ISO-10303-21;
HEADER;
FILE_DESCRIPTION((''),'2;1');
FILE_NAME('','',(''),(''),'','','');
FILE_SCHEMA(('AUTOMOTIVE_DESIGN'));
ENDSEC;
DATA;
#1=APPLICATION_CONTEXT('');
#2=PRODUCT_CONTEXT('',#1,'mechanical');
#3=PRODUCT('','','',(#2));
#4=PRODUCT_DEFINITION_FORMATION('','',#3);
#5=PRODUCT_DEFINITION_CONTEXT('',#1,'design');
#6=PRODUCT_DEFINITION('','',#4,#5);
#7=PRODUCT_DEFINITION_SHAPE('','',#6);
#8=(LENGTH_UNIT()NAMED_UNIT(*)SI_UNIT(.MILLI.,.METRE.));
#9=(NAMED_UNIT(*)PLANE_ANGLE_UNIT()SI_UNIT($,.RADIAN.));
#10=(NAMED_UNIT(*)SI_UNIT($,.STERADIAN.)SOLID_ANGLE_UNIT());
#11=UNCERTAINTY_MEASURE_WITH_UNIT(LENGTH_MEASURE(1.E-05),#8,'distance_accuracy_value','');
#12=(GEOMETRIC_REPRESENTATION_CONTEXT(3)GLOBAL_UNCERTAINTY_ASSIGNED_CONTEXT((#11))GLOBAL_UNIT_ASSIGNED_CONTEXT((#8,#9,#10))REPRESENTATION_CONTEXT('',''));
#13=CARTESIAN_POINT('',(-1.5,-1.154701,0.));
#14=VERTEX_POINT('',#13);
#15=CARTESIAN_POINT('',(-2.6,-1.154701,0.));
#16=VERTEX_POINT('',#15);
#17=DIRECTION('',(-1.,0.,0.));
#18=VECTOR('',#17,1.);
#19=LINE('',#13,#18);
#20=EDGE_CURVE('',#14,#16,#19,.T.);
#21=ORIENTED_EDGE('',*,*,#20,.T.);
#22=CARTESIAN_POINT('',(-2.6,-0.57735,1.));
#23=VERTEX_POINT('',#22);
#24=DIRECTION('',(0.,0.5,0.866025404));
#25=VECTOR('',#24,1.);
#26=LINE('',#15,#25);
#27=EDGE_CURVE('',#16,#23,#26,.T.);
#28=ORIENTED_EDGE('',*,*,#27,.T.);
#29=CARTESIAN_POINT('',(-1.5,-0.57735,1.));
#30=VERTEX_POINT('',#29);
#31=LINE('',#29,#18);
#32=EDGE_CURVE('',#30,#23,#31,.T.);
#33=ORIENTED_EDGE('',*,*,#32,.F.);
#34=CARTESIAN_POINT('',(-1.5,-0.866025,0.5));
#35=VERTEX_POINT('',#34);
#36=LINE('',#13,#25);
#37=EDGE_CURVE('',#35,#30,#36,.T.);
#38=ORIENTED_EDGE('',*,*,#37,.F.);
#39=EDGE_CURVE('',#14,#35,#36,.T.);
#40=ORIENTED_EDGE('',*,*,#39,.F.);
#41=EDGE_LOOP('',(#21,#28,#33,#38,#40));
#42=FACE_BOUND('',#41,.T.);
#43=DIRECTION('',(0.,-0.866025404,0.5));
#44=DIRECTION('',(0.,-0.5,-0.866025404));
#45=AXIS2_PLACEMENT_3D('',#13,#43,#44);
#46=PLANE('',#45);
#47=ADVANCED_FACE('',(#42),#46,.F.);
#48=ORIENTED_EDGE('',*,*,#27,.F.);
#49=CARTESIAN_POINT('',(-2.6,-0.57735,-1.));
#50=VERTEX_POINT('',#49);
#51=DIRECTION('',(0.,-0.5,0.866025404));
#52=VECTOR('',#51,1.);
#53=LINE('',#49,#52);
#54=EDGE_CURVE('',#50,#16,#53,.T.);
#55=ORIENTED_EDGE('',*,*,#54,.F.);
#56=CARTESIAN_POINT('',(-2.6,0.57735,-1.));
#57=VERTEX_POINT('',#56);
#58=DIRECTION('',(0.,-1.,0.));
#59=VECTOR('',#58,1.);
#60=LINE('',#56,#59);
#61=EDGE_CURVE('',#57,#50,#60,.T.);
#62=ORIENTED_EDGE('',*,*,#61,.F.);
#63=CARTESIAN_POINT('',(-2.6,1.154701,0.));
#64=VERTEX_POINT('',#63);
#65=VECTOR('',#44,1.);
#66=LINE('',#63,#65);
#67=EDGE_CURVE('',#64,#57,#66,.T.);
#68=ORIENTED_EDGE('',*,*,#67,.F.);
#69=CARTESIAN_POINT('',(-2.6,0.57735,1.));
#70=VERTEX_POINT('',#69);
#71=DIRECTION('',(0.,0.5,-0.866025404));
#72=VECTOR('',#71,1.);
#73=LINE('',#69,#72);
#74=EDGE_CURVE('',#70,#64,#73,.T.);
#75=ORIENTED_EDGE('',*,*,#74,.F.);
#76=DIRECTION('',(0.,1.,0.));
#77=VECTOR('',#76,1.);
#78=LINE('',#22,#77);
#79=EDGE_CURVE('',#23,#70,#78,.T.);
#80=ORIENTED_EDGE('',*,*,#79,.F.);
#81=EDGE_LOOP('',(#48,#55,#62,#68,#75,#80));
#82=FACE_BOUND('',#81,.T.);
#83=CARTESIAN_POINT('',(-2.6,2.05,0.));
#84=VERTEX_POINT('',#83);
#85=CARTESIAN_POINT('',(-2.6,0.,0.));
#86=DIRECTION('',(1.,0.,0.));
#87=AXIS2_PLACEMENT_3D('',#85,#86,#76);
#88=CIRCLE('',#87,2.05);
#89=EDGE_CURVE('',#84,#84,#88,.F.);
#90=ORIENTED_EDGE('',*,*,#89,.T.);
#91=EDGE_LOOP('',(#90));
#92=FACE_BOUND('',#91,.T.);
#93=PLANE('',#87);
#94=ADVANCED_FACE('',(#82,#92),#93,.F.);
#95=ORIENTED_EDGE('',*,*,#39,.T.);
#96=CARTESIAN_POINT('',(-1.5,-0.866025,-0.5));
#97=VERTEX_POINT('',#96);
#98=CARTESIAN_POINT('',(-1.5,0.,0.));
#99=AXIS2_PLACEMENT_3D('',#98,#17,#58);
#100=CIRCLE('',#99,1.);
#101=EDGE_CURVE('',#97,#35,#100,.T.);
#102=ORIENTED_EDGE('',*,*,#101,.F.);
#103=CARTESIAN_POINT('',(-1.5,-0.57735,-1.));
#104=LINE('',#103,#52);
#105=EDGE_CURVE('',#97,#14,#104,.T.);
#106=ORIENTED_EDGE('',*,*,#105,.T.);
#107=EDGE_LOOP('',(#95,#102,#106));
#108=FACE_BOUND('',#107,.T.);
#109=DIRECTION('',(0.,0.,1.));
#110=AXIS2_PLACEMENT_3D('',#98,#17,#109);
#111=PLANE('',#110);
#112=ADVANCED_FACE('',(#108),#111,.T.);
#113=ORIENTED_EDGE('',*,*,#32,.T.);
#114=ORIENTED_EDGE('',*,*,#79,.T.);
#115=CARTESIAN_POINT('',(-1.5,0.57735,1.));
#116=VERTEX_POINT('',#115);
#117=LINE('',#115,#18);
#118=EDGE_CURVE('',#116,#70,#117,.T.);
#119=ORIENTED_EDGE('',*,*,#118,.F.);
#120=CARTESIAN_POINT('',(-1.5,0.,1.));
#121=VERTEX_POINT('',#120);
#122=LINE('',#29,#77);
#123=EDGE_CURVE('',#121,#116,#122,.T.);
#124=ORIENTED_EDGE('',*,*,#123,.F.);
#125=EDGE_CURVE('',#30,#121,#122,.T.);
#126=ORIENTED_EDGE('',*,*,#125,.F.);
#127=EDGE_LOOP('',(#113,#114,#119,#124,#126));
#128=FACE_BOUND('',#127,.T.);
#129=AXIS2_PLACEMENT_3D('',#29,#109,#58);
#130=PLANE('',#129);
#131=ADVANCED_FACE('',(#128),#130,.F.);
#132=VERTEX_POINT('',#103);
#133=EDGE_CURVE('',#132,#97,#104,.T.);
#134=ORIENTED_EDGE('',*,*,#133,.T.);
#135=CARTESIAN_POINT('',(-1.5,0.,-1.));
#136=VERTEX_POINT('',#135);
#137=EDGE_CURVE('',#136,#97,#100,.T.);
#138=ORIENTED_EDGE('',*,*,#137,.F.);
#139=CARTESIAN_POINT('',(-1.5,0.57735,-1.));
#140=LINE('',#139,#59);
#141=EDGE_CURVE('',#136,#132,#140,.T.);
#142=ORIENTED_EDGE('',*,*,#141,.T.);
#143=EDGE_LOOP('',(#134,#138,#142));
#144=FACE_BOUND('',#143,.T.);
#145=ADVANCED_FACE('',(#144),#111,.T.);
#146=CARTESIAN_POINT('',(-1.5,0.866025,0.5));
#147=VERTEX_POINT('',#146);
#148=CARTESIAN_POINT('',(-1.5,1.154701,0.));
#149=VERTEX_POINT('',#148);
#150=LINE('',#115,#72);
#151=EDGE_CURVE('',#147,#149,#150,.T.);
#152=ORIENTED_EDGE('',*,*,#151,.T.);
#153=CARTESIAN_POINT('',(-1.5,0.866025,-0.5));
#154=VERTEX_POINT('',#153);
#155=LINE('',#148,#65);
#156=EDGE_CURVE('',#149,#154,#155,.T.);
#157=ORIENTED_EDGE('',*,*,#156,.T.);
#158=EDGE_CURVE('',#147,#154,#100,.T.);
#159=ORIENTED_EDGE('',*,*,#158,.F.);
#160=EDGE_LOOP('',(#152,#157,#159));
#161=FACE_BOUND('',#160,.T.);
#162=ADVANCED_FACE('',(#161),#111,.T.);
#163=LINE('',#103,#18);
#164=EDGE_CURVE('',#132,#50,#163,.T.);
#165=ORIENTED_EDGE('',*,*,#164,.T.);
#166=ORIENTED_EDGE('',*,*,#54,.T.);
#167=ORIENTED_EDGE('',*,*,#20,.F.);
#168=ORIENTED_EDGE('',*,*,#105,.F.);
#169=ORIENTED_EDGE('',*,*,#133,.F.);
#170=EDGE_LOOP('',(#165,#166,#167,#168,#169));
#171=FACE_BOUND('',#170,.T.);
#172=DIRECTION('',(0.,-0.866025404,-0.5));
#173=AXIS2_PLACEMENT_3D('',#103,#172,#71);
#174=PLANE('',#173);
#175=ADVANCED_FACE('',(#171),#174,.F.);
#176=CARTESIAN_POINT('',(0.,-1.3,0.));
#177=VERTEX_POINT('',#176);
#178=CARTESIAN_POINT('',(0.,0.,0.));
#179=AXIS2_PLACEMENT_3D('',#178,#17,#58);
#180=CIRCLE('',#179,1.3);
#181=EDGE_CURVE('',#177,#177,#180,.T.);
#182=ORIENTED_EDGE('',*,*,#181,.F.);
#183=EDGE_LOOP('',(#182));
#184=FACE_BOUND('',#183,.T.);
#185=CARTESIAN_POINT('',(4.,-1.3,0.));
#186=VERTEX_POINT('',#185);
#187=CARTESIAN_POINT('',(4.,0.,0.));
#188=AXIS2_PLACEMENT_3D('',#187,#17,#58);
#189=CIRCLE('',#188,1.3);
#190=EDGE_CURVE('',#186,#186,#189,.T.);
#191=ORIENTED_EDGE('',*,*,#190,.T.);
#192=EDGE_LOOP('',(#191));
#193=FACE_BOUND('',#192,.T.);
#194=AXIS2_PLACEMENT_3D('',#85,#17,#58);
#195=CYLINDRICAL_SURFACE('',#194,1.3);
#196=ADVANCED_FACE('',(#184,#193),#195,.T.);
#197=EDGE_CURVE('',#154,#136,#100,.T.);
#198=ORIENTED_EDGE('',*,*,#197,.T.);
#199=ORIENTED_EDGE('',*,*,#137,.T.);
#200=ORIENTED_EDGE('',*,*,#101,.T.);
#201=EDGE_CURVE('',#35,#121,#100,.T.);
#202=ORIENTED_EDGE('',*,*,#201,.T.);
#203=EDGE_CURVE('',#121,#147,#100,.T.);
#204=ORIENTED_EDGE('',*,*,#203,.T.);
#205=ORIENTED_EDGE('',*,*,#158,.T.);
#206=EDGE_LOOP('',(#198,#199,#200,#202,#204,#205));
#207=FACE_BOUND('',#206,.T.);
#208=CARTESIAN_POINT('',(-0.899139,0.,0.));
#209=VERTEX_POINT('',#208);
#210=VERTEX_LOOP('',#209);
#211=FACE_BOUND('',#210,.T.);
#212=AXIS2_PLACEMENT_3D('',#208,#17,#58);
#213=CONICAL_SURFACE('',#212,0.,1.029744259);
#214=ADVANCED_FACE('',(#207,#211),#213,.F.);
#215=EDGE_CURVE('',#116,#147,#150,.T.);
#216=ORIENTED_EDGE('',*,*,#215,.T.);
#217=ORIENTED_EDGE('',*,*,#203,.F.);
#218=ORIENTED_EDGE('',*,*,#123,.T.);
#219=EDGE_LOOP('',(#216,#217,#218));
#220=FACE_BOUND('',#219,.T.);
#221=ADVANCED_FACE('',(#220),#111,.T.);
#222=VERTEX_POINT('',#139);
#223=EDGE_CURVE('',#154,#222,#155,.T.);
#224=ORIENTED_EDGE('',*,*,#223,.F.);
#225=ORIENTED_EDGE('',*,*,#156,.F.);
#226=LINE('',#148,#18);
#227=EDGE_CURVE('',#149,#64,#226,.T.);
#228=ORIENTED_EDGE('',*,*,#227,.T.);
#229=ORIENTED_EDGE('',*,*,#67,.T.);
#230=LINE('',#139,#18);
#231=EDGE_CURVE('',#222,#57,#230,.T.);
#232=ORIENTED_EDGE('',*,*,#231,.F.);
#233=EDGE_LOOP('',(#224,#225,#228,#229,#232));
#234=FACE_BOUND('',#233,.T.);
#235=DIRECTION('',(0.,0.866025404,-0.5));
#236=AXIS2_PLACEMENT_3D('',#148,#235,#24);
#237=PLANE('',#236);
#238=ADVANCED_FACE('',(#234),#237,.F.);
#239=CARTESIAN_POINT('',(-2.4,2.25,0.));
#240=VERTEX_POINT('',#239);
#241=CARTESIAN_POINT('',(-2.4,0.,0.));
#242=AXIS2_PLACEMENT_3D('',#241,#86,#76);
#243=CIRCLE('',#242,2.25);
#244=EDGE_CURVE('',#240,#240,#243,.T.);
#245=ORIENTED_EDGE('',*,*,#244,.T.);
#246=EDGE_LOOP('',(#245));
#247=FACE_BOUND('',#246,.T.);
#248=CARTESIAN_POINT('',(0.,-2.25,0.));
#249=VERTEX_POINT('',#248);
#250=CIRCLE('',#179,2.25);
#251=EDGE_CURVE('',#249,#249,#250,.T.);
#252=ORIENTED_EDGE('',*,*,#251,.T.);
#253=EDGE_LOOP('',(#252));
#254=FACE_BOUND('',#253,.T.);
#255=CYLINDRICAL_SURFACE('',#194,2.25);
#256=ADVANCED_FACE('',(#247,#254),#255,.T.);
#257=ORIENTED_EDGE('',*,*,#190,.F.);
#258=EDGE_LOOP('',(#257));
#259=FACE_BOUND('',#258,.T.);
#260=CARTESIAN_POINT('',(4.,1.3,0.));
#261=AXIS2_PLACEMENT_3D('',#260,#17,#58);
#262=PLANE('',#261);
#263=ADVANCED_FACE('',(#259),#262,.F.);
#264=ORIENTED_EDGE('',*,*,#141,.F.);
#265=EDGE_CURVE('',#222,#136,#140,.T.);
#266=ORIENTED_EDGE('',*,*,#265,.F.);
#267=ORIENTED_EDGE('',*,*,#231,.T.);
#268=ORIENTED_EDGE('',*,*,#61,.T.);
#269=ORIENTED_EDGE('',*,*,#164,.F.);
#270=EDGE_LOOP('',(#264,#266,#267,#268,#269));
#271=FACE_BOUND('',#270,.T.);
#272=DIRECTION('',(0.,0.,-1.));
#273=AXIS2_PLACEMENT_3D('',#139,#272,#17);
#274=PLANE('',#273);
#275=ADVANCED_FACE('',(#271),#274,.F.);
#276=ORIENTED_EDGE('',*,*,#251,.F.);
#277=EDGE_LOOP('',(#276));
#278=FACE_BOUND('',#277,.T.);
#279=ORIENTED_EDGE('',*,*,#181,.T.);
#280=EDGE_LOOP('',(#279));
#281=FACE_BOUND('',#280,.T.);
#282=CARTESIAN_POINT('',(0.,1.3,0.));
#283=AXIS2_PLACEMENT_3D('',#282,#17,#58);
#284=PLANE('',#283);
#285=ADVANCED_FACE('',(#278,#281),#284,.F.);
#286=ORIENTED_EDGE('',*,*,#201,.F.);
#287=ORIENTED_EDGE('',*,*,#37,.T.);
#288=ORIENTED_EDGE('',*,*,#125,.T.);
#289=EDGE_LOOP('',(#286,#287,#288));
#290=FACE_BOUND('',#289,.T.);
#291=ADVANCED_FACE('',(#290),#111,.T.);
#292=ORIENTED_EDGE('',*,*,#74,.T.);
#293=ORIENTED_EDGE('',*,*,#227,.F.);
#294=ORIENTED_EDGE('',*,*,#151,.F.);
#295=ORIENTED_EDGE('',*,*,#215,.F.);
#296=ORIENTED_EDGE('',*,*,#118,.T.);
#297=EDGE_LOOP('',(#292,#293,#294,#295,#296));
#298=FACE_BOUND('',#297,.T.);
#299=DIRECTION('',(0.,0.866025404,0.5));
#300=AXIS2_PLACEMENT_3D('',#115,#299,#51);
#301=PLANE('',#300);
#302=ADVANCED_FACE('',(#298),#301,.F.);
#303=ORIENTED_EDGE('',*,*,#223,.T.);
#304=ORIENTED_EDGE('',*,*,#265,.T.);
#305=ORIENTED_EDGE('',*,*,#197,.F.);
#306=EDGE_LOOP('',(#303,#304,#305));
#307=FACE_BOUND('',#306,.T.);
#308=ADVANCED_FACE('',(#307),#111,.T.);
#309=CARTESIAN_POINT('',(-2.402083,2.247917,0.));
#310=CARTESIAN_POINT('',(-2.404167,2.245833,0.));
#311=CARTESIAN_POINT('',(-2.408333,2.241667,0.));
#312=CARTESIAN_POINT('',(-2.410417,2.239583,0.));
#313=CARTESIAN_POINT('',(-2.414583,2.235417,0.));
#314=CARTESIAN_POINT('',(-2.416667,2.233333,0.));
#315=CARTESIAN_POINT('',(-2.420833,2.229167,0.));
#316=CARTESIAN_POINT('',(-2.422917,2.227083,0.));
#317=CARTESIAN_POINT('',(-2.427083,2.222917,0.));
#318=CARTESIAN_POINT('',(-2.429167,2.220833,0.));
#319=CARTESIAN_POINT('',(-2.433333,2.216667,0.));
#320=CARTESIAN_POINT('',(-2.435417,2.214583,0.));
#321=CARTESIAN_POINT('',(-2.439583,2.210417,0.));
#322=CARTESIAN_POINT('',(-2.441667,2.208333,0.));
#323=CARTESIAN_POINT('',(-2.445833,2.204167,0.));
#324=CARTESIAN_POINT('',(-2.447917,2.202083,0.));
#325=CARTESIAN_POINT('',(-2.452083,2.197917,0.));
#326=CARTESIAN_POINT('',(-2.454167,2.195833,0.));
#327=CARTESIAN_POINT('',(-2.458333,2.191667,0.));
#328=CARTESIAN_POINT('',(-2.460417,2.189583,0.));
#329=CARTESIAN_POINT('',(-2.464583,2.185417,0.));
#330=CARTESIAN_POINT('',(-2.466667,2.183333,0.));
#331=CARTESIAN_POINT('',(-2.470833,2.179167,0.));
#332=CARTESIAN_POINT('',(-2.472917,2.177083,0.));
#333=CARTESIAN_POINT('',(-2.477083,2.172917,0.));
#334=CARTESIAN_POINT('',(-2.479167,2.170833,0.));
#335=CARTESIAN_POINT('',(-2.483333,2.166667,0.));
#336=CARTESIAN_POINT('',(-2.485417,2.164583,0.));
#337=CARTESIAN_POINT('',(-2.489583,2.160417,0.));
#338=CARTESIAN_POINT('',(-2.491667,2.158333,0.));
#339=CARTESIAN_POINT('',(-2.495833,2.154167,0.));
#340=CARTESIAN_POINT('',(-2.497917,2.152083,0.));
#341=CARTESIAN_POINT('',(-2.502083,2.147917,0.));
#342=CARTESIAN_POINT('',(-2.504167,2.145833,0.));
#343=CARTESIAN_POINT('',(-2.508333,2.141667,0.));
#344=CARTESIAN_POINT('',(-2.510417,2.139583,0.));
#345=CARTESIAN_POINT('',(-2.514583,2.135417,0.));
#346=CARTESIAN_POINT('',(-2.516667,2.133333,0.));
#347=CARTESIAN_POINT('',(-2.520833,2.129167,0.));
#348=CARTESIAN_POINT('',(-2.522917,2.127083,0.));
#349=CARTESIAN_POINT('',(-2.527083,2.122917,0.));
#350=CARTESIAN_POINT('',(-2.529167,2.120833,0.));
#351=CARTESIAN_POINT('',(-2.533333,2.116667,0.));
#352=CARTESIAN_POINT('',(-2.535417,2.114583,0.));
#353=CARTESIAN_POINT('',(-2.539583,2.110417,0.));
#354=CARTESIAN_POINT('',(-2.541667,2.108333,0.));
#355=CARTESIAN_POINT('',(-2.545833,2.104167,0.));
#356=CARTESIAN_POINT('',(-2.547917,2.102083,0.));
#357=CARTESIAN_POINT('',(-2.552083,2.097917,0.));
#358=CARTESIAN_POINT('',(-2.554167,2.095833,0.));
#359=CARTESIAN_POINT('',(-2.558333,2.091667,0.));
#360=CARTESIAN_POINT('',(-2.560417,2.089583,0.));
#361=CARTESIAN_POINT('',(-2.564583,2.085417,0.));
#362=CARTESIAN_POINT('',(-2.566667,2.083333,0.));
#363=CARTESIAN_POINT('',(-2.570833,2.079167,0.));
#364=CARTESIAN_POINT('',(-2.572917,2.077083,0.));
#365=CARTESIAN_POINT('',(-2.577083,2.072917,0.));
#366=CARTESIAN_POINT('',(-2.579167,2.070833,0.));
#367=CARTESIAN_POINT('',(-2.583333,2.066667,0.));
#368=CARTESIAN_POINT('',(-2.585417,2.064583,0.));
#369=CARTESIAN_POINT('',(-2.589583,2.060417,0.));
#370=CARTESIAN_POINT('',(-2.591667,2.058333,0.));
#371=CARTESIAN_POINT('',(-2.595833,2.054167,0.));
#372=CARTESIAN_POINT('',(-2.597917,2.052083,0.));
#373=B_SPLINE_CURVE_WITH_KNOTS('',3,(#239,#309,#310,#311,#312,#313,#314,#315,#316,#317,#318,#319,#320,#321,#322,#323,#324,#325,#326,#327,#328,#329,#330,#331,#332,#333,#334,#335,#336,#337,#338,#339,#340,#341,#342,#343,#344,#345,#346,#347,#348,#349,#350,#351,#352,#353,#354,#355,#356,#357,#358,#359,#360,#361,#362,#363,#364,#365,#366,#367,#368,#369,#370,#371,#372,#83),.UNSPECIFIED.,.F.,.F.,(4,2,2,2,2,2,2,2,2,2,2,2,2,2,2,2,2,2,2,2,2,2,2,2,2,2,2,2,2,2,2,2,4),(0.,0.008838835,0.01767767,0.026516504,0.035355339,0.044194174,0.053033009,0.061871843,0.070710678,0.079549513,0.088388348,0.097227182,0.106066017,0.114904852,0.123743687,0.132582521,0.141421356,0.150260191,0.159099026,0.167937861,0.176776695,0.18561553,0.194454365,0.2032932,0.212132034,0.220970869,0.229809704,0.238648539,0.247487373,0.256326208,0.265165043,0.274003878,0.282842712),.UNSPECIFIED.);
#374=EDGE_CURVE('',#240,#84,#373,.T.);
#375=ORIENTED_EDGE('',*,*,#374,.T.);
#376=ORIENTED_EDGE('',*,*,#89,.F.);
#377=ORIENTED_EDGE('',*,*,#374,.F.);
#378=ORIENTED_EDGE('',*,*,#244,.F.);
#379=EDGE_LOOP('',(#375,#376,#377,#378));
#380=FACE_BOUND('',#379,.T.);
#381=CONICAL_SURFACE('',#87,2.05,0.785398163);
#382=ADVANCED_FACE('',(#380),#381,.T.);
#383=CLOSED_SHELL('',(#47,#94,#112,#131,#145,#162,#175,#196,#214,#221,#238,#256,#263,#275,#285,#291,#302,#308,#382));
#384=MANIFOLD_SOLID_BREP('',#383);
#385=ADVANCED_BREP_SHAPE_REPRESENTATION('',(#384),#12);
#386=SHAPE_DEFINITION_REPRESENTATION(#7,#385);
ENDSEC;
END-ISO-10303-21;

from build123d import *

# Parameters (mm, degrees)
CUT_EXTRUDE1_DEPTH = 1.1
CHAMFER1_SIZE      = 0.2


with BuildPart() as part:
    # Sketch1 → Revolve1 (revolve)
    with BuildSketch(Plane.XY, mode=Mode.PRIVATE) as revolve1_sk:
        Polygon((0, 1.3), (4, 1.3), (4, 0), (-2.6, 0), (-2.6, 2.25), (0, 2.25), align=None)
    revolve(revolve1_sk.sketch.rotate(Axis((-2.6, 0, 0), (1, 0, 0)), 180), axis=Axis((-2.6, 0, 0), (1, 0, 0)))

    # Sketch2 → Cut-Revolve1 (revolve, cut)
    with BuildSketch(Plane.XY, mode=Mode.PRIVATE) as cut_revolve1_sk:
        Polygon((-0.899139381, 0), (-1.5, 1), (-2.6, 1), (-2.6, 0), align=None)
    revolve(cut_revolve1_sk.sketch.rotate(Axis((-2.6, 0, 0), (1, 0, 0)), 180), axis=Axis((-2.6, 0, 0), (1, 0, 0)), mode=Mode.SUBTRACT)

    # Sketch3 → Cut-Extrude1 (cut)
    with BuildSketch(Plane.ZY.offset(2.6)):
        Polygon((1, 0.577350269), (0, 1.154700538), (-1, 0.577350269), (-1, -0.577350269), (0, -1.154700538), (1, -0.577350269), align=None)
    extrude(amount=-CUT_EXTRUDE1_DEPTH, mode=Mode.SUBTRACT)

    # Chamfer1
    chamfer1_edges = [part.edges().sort_by_distance(p)[0] for p in [
        (-2.6, 2.25, 0),
    ]]
    chamfer(chamfer1_edges, length=CHAMFER1_SIZE)


solid = part.part
